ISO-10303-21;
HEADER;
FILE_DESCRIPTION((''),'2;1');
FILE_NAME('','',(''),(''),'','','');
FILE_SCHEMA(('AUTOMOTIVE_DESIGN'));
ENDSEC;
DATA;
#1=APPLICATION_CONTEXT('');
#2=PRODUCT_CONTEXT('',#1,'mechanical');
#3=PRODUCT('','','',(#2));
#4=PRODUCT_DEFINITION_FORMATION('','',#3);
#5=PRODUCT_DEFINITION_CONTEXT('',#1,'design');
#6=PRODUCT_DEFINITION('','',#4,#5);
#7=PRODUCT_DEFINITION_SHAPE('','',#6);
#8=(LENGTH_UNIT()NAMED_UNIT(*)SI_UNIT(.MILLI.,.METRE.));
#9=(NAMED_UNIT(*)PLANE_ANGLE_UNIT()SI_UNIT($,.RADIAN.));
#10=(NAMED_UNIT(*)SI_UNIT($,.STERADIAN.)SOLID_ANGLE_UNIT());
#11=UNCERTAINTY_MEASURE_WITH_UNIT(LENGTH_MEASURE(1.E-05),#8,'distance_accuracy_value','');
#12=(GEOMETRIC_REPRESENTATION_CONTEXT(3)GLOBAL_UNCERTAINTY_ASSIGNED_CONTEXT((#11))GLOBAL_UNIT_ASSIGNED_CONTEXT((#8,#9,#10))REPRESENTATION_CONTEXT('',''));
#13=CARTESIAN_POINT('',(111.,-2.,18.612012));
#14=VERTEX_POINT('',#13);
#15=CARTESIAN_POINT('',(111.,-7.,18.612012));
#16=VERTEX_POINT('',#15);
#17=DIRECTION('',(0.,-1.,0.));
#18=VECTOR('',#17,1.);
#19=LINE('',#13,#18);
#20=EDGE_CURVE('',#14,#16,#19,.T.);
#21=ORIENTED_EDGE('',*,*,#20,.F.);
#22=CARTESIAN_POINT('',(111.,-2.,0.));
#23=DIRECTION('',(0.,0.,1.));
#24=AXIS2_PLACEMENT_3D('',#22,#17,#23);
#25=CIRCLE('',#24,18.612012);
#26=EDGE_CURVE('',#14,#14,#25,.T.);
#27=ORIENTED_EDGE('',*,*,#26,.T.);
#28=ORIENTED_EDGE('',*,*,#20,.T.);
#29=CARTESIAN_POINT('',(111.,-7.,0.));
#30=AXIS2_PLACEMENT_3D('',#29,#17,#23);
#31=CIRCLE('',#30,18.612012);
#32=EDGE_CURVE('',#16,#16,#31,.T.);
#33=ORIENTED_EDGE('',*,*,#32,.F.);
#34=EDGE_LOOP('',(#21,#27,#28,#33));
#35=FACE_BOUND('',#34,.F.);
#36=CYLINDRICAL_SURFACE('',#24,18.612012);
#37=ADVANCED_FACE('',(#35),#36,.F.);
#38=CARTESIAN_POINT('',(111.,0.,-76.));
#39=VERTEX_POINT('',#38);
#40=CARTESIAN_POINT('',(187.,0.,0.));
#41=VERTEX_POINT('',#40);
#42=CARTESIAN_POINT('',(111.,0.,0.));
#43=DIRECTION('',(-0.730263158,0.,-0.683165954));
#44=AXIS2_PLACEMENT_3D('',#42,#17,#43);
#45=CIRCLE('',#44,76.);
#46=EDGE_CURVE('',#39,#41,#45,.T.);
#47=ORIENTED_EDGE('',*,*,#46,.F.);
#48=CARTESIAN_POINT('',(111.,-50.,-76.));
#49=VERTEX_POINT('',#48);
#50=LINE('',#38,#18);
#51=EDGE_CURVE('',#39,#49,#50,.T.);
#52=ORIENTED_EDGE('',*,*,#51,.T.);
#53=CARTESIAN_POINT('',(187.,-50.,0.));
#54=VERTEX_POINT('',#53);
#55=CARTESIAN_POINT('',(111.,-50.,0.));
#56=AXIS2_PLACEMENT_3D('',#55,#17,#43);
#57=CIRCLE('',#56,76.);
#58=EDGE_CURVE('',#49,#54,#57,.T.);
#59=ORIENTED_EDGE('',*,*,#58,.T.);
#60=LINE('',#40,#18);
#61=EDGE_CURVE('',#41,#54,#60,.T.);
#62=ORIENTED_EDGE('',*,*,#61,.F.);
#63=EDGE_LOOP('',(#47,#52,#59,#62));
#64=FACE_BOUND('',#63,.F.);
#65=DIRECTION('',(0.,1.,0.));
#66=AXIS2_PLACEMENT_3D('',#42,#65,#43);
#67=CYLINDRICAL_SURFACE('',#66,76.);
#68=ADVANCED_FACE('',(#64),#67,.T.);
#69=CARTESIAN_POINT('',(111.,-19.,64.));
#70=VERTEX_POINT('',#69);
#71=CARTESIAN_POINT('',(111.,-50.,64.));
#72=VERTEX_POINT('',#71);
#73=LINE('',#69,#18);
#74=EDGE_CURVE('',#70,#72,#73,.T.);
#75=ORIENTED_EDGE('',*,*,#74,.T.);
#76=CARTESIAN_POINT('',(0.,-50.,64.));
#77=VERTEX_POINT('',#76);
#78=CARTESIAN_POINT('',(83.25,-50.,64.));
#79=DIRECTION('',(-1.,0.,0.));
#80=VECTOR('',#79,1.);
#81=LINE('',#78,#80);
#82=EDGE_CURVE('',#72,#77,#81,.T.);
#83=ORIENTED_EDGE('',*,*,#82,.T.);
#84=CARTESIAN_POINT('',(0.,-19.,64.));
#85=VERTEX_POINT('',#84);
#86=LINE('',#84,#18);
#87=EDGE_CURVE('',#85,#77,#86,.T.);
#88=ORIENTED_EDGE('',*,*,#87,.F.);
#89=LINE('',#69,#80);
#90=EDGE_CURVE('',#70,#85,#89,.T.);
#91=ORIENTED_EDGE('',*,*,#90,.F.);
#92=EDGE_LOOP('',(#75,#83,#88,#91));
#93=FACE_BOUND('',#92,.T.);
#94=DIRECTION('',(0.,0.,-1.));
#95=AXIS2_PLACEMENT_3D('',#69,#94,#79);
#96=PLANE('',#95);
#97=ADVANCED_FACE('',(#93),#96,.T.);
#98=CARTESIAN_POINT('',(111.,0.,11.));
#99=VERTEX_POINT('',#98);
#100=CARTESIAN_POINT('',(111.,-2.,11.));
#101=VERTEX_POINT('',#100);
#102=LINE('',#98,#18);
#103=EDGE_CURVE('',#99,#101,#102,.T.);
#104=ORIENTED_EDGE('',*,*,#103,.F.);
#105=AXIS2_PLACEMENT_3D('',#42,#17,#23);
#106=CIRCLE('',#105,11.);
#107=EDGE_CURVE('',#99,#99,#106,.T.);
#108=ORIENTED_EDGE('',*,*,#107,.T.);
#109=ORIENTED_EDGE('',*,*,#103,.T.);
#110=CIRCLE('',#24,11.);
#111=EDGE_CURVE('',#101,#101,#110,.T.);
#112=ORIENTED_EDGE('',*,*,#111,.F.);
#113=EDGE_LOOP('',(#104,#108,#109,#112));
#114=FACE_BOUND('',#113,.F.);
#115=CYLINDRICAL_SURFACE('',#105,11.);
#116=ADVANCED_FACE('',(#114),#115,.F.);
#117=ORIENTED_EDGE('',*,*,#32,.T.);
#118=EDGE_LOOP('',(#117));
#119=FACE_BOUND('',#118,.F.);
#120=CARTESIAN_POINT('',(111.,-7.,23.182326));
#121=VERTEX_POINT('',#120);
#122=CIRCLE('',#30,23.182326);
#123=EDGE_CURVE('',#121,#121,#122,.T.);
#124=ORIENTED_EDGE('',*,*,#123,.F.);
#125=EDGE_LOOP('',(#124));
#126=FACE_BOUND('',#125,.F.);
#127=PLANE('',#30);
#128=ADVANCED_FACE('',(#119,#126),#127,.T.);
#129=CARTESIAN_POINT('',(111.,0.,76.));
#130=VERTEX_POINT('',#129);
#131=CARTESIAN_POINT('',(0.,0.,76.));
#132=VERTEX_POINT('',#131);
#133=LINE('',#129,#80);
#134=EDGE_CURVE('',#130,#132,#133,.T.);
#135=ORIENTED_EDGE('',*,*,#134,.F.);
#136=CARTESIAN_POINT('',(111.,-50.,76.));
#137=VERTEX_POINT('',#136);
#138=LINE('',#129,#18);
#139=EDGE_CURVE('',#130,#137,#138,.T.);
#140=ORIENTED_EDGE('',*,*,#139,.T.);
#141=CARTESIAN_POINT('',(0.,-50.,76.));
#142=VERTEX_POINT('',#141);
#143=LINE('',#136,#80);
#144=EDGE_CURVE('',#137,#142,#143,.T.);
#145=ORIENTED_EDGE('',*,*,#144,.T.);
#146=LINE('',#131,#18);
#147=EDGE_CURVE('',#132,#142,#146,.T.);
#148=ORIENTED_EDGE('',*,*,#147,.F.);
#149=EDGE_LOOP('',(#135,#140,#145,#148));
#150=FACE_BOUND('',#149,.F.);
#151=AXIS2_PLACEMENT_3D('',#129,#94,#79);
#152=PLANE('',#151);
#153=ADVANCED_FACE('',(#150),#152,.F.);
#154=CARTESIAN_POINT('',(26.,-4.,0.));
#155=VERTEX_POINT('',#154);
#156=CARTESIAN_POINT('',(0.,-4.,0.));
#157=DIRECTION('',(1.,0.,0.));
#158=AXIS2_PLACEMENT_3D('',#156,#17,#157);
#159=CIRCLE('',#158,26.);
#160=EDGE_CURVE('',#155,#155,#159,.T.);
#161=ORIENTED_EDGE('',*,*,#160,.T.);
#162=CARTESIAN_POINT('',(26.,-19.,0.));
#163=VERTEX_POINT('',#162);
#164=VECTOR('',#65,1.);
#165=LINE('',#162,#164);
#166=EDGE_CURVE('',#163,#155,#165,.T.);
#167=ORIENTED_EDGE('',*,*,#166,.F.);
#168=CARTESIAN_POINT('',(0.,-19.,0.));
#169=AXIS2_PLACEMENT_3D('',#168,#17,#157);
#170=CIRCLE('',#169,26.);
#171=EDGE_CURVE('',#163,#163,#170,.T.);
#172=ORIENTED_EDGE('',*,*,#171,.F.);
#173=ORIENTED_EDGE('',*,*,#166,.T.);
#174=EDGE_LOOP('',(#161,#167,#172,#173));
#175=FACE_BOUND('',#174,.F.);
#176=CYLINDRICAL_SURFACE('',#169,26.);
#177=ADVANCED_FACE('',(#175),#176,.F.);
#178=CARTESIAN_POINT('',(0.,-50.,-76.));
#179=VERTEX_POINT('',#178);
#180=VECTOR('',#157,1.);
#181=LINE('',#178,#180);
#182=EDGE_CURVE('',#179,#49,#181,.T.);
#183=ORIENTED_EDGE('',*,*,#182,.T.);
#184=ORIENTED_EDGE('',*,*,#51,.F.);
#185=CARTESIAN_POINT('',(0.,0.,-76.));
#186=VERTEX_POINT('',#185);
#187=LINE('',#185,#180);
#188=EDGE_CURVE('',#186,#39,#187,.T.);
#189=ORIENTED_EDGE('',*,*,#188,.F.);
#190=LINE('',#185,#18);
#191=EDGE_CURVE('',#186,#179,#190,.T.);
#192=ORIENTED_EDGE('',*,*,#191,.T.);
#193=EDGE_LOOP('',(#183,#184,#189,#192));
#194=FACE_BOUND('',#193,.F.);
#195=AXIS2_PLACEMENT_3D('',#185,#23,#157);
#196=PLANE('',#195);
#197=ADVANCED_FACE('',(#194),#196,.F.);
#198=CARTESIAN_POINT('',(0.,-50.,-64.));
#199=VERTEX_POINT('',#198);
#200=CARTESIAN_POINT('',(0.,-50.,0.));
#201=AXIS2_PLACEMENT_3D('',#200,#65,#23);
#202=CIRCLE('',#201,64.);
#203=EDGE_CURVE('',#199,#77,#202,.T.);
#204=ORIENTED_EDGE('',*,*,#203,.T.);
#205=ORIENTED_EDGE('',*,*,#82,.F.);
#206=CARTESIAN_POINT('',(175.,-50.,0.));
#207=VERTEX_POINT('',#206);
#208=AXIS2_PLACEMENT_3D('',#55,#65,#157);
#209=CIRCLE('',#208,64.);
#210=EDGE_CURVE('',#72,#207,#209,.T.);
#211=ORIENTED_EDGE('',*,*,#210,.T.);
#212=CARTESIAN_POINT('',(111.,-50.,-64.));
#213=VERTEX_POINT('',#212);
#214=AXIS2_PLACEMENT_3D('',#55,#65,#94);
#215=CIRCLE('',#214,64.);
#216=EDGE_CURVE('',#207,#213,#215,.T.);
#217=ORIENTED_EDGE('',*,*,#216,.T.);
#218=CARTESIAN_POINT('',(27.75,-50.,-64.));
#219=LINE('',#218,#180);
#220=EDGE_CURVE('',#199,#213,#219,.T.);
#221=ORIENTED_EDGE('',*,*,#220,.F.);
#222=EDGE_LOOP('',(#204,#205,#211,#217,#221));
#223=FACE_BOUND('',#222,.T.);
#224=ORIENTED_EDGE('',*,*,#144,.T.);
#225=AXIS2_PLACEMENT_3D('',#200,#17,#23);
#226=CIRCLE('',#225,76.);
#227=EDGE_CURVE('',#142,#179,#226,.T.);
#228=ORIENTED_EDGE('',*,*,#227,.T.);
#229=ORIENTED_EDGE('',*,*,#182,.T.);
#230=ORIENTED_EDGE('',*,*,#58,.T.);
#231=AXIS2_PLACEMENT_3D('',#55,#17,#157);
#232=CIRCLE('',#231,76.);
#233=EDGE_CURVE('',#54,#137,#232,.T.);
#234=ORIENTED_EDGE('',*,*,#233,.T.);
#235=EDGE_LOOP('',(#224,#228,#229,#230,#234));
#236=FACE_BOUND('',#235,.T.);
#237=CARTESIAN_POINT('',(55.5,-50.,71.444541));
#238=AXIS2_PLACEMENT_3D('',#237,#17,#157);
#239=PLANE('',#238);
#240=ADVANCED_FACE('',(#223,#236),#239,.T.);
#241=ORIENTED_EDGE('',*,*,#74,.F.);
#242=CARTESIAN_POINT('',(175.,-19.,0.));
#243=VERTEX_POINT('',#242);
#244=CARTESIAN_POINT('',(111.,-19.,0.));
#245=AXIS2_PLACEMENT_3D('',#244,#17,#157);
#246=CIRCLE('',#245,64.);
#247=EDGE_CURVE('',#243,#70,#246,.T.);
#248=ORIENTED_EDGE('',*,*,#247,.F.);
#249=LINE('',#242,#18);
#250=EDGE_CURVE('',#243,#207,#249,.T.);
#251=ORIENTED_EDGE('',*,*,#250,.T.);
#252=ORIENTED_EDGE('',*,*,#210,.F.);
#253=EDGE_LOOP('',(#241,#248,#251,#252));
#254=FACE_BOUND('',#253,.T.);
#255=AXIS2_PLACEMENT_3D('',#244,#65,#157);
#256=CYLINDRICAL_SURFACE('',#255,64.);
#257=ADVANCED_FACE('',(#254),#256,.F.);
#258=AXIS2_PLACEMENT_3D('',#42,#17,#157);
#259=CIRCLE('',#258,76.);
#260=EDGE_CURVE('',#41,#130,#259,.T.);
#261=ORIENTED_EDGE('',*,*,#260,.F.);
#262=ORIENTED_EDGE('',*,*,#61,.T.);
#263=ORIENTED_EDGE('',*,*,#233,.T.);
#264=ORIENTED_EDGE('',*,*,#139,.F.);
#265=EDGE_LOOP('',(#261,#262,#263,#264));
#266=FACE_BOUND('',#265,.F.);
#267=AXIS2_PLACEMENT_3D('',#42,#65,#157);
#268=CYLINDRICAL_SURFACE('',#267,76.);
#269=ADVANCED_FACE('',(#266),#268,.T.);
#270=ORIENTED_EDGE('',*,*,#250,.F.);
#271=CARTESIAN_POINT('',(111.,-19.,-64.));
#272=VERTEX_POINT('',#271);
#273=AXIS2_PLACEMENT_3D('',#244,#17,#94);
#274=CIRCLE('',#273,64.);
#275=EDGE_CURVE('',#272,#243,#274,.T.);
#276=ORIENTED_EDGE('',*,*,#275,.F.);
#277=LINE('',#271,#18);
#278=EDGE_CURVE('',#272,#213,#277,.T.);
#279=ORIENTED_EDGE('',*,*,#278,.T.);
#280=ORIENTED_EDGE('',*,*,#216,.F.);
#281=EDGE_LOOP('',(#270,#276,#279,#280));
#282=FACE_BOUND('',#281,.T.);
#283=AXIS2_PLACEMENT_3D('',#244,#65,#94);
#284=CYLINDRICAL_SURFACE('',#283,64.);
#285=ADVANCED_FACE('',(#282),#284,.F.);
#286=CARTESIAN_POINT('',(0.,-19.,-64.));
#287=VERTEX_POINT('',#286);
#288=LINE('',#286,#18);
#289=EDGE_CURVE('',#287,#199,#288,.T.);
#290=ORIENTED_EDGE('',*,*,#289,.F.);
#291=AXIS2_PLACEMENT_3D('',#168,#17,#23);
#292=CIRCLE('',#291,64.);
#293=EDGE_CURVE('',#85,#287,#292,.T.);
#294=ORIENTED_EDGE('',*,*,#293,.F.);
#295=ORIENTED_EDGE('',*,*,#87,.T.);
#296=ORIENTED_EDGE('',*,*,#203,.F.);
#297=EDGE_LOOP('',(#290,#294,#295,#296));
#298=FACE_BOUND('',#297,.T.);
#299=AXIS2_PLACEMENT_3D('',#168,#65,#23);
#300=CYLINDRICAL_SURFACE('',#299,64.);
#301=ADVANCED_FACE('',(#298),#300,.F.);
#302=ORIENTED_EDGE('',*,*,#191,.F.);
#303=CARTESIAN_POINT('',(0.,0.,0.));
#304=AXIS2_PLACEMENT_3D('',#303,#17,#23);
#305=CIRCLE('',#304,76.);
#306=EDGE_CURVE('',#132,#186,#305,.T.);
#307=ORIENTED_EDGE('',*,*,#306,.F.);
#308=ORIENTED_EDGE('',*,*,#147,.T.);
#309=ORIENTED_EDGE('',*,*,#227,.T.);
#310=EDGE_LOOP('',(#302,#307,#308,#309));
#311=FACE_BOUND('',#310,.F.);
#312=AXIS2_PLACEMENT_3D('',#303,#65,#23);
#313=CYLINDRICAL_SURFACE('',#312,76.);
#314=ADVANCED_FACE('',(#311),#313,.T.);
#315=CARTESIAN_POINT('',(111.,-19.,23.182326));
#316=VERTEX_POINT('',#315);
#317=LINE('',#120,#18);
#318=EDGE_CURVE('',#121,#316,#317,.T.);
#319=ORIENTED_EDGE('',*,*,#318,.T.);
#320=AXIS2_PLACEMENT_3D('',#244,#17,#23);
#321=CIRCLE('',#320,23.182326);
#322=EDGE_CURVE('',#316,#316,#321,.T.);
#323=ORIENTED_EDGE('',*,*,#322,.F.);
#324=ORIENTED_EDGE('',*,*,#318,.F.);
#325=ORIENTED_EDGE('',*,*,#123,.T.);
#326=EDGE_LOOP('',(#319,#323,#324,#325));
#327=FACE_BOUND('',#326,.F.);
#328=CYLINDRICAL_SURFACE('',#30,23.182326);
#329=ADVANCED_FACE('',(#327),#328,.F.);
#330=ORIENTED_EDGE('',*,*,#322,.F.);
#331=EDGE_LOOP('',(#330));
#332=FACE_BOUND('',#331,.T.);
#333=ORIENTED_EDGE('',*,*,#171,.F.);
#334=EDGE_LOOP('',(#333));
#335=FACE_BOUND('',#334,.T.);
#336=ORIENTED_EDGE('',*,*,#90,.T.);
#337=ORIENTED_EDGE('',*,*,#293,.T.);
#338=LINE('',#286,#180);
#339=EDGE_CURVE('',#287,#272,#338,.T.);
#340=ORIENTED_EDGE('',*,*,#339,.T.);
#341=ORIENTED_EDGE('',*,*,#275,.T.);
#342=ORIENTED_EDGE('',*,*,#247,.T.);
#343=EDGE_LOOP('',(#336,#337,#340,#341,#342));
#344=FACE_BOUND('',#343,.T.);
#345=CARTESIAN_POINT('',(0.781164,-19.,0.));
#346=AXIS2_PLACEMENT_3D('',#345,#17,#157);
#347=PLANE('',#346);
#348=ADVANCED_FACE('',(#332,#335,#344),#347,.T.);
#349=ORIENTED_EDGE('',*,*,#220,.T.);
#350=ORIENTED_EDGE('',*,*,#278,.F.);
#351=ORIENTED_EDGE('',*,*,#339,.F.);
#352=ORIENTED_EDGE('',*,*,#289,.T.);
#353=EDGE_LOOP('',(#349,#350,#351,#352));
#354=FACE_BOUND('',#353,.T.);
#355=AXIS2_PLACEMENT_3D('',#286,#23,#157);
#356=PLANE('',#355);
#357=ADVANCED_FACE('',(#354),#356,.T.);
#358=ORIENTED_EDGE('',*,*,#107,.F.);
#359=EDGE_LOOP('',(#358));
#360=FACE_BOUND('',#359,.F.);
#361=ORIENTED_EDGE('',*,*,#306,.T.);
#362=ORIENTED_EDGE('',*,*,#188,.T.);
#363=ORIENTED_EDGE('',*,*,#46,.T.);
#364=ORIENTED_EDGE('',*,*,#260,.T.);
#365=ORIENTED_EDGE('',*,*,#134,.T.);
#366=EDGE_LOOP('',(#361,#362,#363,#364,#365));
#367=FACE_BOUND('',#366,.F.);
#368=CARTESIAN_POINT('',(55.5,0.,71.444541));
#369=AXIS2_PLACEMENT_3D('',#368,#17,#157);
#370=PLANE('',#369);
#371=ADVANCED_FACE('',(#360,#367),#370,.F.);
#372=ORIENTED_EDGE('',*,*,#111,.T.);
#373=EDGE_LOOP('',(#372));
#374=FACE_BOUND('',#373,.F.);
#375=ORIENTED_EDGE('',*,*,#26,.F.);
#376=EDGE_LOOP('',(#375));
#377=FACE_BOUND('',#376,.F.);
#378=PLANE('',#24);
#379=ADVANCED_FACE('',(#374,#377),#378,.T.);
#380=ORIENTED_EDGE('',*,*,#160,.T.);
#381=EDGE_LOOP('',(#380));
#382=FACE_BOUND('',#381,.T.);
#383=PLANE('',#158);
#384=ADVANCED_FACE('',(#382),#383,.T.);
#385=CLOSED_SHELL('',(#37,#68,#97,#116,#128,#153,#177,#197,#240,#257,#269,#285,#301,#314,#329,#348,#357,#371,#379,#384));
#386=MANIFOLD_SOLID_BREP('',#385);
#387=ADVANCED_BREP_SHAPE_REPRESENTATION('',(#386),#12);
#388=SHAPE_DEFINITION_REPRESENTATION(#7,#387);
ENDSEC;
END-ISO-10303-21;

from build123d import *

# Parameters (mm, degrees)
F1_DEPTH = 50
F4_DEPTH = 100
F5_DEPTH = 31
F6_R     = 26
F7_DEPTH = 15


with BuildPart() as f1:
    # F0 (on Front) → F1 (new body)
    with BuildSketch(Plane.XZ):
        with BuildLine():
            Line((111, 76), (0, 76))
            ThreePointArc((0, 76), (30.2492433933, 69.7207521053), (55.5, 51.9206124771))
            ThreePointArc((55.5, 51.9206124771), (80.7507566067, 69.7207521053), (111, 76))
        make_face()
        with BuildLine():
            ThreePointArc((55.5, -51.9206124771), (30.2492433933, -69.7207521053), (0, -76))
            Line((0, -76), (111, -76))
            ThreePointArc((111, -76), (80.7507566067, -69.7207521053), (55.5, -51.9206124771))
        make_face()
        with BuildLine():
            ThreePointArc((76, 0), (70.6894617323, 27.9105714739), (55.5, 51.9206124771))
            ThreePointArc((55.5, 51.9206124771), (35, 0), (55.5, -51.9206124771))
            ThreePointArc((55.5, -51.9206124771), (70.6894617323, -27.9105714739), (76, 0))
        make_face()
        with BuildLine():
            ThreePointArc((111, 76), (80.7507566067, 69.7207521053), (55.5, 51.9206124771))
            ThreePointArc((55.5, 51.9206124771), (70.6894617323, 27.9105714739), (76, 0))
            ThreePointArc((76, 0), (70.6894617323, -27.9105714739), (55.5, -51.9206124771))
            ThreePointArc((55.5, -51.9206124771), (80.7507566067, -69.7207521053), (111, -76))
            ThreePointArc((111, -76), (164.7401153702, -53.7401153702), (187, 0))
            ThreePointArc((187, 0), (164.7401153702, 53.7401153702), (111, 76))
        make_face()
        with BuildLine():
            ThreePointArc((55.5, 51.9206124771), (30.2492433933, 69.7207521053), (0, 76))
            ThreePointArc((0, 76), (-76, 0), (0, -76))
            ThreePointArc((0, -76), (30.2492433933, -69.7207521053), (55.5, -51.9206124771))
            ThreePointArc((55.5, -51.9206124771), (35, 0), (55.5, 51.9206124771))
        make_face()
    extrude(amount=F1_DEPTH)

    # F3 (on offset) + F1_face (on face) → F4 (cut)
    with BuildSketch(Plane.XZ.offset(19)):
        with BuildLine():
            ThreePointArc((55.5, 31.870833061), (32.0645184285, 55.3883260078), (0, 64))
            ThreePointArc((0, 64), (-64, 0), (0, -64))
            ThreePointArc((0, -64), (32.0645184285, -55.3883260078), (55.5, -31.870833061))
            ThreePointArc((55.5, -31.870833061), (47, 0), (55.5, 31.870833061))
        make_face()
        with BuildLine():
            Line((111, 64), (0, 64))
            ThreePointArc((0, 64), (32.0645184285, 55.3883260078), (55.5, 31.870833061))
            ThreePointArc((55.5, 31.870833061), (78.9354815715, 55.3883260078), (111, 64))
        make_face()
        with BuildLine():
            ThreePointArc((55.5, -31.870833061), (32.0645184285, -55.3883260078), (0, -64))
            Line((0, -64), (111, -64))
            ThreePointArc((111, -64), (78.9354815715, -55.3883260078), (55.5, -31.870833061))
        make_face()
        with BuildLine():
            ThreePointArc((111, 64), (78.9354815715, 55.3883260078), (55.5, 31.870833061))
            ThreePointArc((55.5, 31.870833061), (61.838499335, 16.4924225025), (64, 0))
            ThreePointArc((64, 0), (61.838499335, -16.4924225025), (55.5, -31.870833061))
            ThreePointArc((55.5, -31.870833061), (78.9354815715, -55.3883260078), (111, -64))
            ThreePointArc((111, -64), (156.2548339959, -45.2548339959), (175, 0))
            ThreePointArc((175, 0), (156.2548339959, 45.2548339959), (111, 64))
        make_face()
    with BuildSketch(Plane(origin=(55.5, -50, 0), x_dir=(1, 0, 0), z_dir=(0, -1, 0))):
        with BuildLine():
            Line((55.5, 76), (-55.5, 76))
            ThreePointArc((-55.5, 76), (-131.5, 0), (-55.5, -76))
            Line((-55.5, -76), (55.5, -76))
            ThreePointArc((55.5, -76), (131.5, 0), (55.5, 76))
        make_face()
    extrude(amount=F4_DEPTH, mode=Mode.SUBTRACT)

    # F5 (cut, through all): a face of the model
    f5_faces = [f1.faces().sort_by_distance(p)[0] for p in [
        (55.5, -50, 0),
    ]]
    extrude(f5_faces, amount=-F5_DEPTH, mode=Mode.SUBTRACT)

    # F6 (on offset) → F7 (cut)
    with BuildSketch(Plane.XZ.offset(19)):
        Circle(F6_R)
    extrude(amount=-F7_DEPTH, mode=Mode.SUBTRACT)

    # F9 (on offset) → F10 (revolve, cut)
    with BuildSketch(Plane.YZ.offset(111)):
        Polygon((-19, 0), (0, 0), (0, 11), (-2, 11), (-2, 18.6120123814), (-7, 18.6120123814), (-7, 23.182326171), (-19, 23.182326171), align=None)
    revolve(axis=Axis((111, -26.2971315533, 0), (0, -1, 0)), mode=Mode.SUBTRACT)


solid = f1.part
